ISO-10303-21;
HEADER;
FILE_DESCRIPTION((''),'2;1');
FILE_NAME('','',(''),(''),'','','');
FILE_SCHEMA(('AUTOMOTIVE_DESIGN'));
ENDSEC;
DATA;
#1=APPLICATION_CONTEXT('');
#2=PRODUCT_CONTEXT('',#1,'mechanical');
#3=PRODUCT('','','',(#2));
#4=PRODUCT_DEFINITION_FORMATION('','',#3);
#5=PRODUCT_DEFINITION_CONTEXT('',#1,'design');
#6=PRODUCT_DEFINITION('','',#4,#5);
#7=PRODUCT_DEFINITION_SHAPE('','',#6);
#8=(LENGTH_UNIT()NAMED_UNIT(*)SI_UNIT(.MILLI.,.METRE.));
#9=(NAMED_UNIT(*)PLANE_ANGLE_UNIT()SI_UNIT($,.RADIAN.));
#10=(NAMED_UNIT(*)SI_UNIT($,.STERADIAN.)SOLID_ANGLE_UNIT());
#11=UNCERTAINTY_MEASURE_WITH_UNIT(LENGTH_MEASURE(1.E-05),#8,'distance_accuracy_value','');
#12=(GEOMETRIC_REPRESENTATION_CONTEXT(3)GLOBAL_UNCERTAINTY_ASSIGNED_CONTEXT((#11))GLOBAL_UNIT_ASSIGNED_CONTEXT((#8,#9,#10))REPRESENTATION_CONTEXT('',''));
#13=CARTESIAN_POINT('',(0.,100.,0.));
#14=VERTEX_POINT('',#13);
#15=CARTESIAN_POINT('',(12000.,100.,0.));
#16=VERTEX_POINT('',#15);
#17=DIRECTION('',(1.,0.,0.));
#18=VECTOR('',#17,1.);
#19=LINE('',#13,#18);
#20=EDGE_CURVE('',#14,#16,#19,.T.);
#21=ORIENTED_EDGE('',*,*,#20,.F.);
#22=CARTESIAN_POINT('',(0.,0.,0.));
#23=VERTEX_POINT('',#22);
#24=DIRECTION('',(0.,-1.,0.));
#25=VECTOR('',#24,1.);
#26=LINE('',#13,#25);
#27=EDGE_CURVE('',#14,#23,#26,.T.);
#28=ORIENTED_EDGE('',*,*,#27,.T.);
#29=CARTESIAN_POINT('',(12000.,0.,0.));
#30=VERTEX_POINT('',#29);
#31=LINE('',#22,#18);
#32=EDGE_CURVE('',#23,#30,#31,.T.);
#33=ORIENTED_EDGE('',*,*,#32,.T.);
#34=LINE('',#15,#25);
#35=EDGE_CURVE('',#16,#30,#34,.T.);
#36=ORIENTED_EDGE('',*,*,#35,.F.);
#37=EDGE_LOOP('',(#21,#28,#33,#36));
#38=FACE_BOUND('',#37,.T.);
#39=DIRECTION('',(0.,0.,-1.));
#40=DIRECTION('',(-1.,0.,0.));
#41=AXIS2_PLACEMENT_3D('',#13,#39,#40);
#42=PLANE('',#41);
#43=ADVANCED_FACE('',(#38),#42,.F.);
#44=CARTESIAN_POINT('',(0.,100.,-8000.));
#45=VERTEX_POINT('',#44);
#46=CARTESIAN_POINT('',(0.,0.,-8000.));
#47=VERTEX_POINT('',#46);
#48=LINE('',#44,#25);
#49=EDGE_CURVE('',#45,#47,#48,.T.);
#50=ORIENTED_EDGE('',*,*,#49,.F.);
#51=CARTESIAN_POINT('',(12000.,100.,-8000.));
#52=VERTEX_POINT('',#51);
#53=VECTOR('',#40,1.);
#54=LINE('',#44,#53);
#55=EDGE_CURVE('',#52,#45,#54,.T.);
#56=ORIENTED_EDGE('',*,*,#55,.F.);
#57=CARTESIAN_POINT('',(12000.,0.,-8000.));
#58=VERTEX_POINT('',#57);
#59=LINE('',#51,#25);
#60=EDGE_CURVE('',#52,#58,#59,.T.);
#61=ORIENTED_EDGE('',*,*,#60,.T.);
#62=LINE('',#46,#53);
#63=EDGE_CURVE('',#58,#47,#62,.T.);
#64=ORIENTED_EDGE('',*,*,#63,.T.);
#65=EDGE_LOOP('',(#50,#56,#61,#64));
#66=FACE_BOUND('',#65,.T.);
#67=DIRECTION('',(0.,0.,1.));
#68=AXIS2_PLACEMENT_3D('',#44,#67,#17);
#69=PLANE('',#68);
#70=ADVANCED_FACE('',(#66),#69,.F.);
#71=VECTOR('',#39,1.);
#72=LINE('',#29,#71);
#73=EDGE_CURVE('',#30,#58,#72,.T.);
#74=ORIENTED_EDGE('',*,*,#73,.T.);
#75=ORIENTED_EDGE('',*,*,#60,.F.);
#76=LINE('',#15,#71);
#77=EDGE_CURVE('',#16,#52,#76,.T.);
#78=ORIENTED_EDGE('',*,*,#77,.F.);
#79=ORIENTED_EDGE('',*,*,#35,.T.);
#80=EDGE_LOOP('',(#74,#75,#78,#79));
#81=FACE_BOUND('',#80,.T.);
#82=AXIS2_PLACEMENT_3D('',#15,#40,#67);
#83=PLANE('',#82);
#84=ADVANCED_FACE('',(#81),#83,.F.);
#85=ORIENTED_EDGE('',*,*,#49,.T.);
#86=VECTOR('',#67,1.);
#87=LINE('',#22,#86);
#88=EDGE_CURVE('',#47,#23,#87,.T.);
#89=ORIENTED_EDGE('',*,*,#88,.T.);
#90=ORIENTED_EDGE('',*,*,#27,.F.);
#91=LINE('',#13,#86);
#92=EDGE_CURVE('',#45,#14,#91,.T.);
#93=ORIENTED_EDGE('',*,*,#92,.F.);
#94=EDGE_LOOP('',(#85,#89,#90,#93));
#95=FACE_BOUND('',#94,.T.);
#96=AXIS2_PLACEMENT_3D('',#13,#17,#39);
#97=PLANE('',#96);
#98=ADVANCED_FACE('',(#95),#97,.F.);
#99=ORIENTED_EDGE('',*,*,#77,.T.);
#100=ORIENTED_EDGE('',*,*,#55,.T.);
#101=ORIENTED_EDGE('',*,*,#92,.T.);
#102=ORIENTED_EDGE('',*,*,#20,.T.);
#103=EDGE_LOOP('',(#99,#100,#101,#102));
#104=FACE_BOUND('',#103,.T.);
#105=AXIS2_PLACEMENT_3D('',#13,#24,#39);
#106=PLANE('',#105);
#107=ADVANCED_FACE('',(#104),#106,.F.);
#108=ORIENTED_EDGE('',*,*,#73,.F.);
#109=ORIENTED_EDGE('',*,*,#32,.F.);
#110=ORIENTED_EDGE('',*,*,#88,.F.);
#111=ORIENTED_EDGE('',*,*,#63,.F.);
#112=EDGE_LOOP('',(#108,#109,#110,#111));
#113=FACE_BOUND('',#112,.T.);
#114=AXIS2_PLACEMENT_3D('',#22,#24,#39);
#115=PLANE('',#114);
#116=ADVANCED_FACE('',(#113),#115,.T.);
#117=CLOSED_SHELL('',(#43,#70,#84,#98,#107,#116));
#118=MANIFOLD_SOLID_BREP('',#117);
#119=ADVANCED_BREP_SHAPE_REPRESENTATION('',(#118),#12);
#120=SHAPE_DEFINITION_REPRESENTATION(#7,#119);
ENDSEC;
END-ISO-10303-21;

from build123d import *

# Parameters (mm, degrees)
SKETCH1_W           = 12000
SKETCH1_H           = 8000
BOSS_EXTRUDE1_DEPTH = 100


with BuildPart() as part:
    # Sketch1 → Boss-Extrude1 (new body)
    with BuildSketch(Plane(origin=(0, 0, 0), x_dir=(1, 0, 0), z_dir=(0, 1, 0))):
        with Locations((6000, 4000)):
            Rectangle(SKETCH1_W, SKETCH1_H)
    extrude(amount=BOSS_EXTRUDE1_DEPTH)


solid = part.part
